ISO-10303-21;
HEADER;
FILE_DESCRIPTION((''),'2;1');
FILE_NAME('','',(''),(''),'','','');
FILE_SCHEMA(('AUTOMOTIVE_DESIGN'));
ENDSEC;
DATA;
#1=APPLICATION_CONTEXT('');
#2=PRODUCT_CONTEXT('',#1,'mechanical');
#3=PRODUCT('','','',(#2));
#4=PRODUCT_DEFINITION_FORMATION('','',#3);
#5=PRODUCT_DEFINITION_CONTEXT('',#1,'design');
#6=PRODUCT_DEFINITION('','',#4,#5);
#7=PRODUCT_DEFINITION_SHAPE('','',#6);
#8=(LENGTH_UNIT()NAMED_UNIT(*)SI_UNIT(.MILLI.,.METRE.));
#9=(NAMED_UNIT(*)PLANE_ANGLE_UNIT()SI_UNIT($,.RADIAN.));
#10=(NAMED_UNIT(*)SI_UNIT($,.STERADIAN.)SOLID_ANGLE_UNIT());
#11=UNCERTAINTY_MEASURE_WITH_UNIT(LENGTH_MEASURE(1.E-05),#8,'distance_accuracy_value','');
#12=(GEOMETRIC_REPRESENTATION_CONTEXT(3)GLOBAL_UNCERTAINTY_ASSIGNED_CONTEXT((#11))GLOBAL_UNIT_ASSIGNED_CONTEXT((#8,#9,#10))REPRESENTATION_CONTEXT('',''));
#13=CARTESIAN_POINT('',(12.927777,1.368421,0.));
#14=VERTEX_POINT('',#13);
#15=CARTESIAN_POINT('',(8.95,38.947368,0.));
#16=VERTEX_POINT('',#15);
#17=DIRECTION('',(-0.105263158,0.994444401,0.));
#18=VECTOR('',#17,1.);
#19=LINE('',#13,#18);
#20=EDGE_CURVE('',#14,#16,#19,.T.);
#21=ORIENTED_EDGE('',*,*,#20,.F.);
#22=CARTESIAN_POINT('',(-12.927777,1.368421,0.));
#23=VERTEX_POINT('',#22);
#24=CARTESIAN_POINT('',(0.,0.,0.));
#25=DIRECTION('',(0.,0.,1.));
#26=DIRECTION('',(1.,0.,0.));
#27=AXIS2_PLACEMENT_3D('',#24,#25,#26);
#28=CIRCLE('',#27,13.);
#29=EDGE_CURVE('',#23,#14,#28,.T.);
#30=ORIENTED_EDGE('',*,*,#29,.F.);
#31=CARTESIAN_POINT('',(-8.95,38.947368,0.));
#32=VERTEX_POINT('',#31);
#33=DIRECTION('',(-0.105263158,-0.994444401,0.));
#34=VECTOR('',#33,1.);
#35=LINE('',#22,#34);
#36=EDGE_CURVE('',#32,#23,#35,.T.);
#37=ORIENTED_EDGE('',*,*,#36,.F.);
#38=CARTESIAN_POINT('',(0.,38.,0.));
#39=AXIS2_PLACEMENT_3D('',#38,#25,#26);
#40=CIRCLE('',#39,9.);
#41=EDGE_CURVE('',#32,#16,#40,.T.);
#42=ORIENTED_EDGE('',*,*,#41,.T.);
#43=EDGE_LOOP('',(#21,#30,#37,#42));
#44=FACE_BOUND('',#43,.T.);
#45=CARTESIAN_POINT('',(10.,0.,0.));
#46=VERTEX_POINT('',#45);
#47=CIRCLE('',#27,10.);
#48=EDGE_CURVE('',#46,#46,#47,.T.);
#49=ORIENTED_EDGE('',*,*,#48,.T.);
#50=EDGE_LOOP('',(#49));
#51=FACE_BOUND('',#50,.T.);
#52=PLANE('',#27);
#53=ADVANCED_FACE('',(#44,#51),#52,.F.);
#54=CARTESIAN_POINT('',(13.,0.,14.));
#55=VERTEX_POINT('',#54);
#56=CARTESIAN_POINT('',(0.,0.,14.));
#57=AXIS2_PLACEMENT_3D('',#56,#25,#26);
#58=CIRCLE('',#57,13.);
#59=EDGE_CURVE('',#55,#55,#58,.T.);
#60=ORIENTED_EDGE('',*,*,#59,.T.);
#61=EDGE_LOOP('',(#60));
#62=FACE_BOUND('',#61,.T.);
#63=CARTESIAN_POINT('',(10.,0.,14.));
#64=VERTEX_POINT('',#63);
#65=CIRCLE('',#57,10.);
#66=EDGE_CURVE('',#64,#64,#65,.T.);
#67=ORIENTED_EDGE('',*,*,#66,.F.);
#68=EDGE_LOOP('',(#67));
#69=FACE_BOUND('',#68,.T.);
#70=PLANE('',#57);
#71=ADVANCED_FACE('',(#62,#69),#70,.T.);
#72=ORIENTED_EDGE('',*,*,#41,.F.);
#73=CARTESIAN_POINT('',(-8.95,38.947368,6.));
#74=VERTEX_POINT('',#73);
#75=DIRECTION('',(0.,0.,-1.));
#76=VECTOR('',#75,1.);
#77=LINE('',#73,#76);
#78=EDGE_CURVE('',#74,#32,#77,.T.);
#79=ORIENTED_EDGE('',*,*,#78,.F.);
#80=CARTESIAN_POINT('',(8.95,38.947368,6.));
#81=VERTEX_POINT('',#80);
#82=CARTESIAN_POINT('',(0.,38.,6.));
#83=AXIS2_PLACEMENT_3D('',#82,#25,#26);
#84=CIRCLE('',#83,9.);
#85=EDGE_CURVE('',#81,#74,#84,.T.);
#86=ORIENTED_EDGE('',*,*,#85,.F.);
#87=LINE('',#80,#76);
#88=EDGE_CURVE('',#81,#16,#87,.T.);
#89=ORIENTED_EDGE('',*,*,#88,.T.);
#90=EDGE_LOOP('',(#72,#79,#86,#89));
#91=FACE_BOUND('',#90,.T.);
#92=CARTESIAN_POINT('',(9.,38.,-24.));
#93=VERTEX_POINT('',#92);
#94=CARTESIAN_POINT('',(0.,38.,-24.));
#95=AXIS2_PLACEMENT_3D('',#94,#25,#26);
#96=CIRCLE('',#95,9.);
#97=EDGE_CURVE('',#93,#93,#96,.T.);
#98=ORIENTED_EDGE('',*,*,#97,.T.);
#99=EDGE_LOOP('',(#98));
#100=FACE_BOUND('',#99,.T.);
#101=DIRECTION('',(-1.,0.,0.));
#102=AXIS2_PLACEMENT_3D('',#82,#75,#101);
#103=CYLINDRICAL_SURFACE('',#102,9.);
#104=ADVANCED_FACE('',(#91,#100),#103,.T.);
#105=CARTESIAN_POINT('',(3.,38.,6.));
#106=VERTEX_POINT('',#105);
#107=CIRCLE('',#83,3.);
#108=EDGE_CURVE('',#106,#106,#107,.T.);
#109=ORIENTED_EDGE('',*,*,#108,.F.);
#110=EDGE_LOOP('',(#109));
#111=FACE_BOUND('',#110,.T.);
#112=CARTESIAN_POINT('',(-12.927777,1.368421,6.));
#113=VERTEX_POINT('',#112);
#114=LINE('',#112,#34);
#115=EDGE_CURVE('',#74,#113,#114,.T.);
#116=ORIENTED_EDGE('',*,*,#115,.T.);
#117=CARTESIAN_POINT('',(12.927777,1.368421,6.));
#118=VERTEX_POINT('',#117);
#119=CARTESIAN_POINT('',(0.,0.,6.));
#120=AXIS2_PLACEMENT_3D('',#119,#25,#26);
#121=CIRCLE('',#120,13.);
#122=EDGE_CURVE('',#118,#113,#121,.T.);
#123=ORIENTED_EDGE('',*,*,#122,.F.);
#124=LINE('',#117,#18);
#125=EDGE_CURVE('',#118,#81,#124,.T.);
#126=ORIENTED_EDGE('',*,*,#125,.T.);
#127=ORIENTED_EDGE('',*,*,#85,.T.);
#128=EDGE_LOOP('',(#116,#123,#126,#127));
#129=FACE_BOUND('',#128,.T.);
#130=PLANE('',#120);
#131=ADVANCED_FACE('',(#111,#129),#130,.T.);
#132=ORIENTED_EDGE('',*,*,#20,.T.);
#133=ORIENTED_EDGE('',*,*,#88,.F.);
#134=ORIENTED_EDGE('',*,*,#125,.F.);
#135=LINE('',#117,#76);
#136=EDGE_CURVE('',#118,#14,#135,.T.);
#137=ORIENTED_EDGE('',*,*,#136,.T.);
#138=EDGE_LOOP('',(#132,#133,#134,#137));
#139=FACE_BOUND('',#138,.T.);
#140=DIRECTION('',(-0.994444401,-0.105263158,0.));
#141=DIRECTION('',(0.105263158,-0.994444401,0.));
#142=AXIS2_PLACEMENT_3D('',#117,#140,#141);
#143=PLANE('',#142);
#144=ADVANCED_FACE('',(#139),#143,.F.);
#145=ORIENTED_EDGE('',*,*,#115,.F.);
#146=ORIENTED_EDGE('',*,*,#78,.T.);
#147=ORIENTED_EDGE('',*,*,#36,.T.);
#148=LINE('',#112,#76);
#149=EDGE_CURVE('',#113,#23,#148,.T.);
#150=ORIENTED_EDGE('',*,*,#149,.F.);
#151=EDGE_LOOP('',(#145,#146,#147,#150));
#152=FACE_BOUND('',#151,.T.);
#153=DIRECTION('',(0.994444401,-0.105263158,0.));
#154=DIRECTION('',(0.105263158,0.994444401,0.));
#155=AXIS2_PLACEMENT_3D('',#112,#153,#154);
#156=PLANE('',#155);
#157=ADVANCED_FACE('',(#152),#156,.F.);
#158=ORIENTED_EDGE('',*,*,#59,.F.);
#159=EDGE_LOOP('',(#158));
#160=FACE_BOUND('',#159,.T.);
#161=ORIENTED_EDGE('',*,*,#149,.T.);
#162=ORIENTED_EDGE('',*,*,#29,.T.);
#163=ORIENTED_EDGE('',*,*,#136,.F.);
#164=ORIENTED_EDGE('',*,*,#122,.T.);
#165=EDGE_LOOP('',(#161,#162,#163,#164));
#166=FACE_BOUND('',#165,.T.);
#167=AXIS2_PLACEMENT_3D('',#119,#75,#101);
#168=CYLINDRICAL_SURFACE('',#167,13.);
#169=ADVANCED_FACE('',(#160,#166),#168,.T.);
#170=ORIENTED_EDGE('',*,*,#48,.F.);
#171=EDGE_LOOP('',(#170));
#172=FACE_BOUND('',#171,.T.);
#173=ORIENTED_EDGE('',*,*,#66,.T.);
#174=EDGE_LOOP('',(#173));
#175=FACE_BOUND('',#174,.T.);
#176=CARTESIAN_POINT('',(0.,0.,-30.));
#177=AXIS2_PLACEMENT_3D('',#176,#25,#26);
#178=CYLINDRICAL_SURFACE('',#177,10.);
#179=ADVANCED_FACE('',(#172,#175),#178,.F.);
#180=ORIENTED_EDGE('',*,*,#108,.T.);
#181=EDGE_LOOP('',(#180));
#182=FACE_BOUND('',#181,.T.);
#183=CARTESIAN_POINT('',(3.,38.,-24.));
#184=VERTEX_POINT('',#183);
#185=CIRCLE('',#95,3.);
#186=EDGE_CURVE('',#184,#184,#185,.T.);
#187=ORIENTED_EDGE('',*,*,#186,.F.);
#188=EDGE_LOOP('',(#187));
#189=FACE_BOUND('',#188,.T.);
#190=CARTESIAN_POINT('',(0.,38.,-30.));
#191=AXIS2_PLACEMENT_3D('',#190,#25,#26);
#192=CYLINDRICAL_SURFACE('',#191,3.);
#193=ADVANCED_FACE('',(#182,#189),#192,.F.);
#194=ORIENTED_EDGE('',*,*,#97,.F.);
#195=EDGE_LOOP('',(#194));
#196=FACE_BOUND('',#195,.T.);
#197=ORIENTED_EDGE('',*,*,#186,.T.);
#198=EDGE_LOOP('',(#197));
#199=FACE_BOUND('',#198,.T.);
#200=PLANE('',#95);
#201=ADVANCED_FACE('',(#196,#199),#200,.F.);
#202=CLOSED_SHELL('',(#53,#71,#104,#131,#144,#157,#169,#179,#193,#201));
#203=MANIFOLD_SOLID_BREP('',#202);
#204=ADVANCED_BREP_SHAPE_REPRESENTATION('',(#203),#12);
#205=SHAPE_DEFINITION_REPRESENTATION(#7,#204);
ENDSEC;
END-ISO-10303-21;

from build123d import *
from build123d.topology import SkipClean

# Parameters (mm, degrees)
BOSS_EXTRUDE1_DEPTH = 6
BOSS_EXTRUDE2_START = 6
SKETCH3_R           = 13
BOSS_EXTRUDE2_DEPTH = 8
BOSS_EXTRUDE3_START = -24
SKETCH4_R           = 9
BOSS_EXTRUDE3_DEPTH = 24
SKETCH5_R           = 10
SKETCH5_R_2         = 3
CUT_EXTRUDE1_DEPTH  = 30


with BuildPart() as part:
    # Sketch2 → Boss-Extrude1 (new body)
    with BuildSketch(Plane(origin=(0, 0, 0), x_dir=(0, 1, 0), z_dir=(0, 0, 1))):
        with BuildLine():
            Line((1.368421053, 12.927777219), (38.947368421, 8.949999613))
            ThreePointArc((38.947368421, 8.949999613), (47, 0), (38.947368421, -8.949999613))
            Line((38.947368421, -8.949999613), (1.368421053, -12.927777219))
            ThreePointArc((1.368421053, -12.927777219), (-13, 0), (1.368421053, 12.927777219))
        make_face()
    extrude(amount=BOSS_EXTRUDE1_DEPTH)

    # Sketch3 → Boss-Extrude2 (add)
    with SkipClean():  # the faces are left unmerged after this step: merging them gives an invalid solid
        with BuildSketch(Plane(origin=(0, 0, 0), x_dir=(0, 1, 0), z_dir=(0, 0, 1)).offset(BOSS_EXTRUDE2_START)):
            with Locations(Location((0, 0, 0), (0, 0, 83.957671581))):
                Circle(SKETCH3_R)
        extrude(amount=BOSS_EXTRUDE2_DEPTH)

    # Sketch4 → Boss-Extrude3 (add)
    with SkipClean():  # the faces are left unmerged after this step: merging them gives an invalid solid
        with BuildSketch(Plane(origin=(0, 0, 0), x_dir=(0, 1, 0), z_dir=(0, 0, 1)).offset(BOSS_EXTRUDE3_START)):
            with Locations(Location((38, 0, 0), (0, 0, 83.957671581))):
                Circle(SKETCH4_R)
        extrude(amount=BOSS_EXTRUDE3_DEPTH)

    # Sketch5 → Cut-Extrude1 (cut, symmetric)
    with SkipClean():  # the faces are left unmerged after this step: merging them gives an invalid solid
        with BuildSketch(Plane(origin=(0, 0, 0), x_dir=(0, 1, 0), z_dir=(0, 0, 1))):
            with Locations(Location((0, 0, 0), (0, 0, 270))):
                Circle(SKETCH5_R)
            with Locations(Location((38, 0, 0), (0, 0, 270))):
                Circle(SKETCH5_R_2)
        extrude(amount=CUT_EXTRUDE1_DEPTH, both=True, mode=Mode.SUBTRACT)


solid = part.part
